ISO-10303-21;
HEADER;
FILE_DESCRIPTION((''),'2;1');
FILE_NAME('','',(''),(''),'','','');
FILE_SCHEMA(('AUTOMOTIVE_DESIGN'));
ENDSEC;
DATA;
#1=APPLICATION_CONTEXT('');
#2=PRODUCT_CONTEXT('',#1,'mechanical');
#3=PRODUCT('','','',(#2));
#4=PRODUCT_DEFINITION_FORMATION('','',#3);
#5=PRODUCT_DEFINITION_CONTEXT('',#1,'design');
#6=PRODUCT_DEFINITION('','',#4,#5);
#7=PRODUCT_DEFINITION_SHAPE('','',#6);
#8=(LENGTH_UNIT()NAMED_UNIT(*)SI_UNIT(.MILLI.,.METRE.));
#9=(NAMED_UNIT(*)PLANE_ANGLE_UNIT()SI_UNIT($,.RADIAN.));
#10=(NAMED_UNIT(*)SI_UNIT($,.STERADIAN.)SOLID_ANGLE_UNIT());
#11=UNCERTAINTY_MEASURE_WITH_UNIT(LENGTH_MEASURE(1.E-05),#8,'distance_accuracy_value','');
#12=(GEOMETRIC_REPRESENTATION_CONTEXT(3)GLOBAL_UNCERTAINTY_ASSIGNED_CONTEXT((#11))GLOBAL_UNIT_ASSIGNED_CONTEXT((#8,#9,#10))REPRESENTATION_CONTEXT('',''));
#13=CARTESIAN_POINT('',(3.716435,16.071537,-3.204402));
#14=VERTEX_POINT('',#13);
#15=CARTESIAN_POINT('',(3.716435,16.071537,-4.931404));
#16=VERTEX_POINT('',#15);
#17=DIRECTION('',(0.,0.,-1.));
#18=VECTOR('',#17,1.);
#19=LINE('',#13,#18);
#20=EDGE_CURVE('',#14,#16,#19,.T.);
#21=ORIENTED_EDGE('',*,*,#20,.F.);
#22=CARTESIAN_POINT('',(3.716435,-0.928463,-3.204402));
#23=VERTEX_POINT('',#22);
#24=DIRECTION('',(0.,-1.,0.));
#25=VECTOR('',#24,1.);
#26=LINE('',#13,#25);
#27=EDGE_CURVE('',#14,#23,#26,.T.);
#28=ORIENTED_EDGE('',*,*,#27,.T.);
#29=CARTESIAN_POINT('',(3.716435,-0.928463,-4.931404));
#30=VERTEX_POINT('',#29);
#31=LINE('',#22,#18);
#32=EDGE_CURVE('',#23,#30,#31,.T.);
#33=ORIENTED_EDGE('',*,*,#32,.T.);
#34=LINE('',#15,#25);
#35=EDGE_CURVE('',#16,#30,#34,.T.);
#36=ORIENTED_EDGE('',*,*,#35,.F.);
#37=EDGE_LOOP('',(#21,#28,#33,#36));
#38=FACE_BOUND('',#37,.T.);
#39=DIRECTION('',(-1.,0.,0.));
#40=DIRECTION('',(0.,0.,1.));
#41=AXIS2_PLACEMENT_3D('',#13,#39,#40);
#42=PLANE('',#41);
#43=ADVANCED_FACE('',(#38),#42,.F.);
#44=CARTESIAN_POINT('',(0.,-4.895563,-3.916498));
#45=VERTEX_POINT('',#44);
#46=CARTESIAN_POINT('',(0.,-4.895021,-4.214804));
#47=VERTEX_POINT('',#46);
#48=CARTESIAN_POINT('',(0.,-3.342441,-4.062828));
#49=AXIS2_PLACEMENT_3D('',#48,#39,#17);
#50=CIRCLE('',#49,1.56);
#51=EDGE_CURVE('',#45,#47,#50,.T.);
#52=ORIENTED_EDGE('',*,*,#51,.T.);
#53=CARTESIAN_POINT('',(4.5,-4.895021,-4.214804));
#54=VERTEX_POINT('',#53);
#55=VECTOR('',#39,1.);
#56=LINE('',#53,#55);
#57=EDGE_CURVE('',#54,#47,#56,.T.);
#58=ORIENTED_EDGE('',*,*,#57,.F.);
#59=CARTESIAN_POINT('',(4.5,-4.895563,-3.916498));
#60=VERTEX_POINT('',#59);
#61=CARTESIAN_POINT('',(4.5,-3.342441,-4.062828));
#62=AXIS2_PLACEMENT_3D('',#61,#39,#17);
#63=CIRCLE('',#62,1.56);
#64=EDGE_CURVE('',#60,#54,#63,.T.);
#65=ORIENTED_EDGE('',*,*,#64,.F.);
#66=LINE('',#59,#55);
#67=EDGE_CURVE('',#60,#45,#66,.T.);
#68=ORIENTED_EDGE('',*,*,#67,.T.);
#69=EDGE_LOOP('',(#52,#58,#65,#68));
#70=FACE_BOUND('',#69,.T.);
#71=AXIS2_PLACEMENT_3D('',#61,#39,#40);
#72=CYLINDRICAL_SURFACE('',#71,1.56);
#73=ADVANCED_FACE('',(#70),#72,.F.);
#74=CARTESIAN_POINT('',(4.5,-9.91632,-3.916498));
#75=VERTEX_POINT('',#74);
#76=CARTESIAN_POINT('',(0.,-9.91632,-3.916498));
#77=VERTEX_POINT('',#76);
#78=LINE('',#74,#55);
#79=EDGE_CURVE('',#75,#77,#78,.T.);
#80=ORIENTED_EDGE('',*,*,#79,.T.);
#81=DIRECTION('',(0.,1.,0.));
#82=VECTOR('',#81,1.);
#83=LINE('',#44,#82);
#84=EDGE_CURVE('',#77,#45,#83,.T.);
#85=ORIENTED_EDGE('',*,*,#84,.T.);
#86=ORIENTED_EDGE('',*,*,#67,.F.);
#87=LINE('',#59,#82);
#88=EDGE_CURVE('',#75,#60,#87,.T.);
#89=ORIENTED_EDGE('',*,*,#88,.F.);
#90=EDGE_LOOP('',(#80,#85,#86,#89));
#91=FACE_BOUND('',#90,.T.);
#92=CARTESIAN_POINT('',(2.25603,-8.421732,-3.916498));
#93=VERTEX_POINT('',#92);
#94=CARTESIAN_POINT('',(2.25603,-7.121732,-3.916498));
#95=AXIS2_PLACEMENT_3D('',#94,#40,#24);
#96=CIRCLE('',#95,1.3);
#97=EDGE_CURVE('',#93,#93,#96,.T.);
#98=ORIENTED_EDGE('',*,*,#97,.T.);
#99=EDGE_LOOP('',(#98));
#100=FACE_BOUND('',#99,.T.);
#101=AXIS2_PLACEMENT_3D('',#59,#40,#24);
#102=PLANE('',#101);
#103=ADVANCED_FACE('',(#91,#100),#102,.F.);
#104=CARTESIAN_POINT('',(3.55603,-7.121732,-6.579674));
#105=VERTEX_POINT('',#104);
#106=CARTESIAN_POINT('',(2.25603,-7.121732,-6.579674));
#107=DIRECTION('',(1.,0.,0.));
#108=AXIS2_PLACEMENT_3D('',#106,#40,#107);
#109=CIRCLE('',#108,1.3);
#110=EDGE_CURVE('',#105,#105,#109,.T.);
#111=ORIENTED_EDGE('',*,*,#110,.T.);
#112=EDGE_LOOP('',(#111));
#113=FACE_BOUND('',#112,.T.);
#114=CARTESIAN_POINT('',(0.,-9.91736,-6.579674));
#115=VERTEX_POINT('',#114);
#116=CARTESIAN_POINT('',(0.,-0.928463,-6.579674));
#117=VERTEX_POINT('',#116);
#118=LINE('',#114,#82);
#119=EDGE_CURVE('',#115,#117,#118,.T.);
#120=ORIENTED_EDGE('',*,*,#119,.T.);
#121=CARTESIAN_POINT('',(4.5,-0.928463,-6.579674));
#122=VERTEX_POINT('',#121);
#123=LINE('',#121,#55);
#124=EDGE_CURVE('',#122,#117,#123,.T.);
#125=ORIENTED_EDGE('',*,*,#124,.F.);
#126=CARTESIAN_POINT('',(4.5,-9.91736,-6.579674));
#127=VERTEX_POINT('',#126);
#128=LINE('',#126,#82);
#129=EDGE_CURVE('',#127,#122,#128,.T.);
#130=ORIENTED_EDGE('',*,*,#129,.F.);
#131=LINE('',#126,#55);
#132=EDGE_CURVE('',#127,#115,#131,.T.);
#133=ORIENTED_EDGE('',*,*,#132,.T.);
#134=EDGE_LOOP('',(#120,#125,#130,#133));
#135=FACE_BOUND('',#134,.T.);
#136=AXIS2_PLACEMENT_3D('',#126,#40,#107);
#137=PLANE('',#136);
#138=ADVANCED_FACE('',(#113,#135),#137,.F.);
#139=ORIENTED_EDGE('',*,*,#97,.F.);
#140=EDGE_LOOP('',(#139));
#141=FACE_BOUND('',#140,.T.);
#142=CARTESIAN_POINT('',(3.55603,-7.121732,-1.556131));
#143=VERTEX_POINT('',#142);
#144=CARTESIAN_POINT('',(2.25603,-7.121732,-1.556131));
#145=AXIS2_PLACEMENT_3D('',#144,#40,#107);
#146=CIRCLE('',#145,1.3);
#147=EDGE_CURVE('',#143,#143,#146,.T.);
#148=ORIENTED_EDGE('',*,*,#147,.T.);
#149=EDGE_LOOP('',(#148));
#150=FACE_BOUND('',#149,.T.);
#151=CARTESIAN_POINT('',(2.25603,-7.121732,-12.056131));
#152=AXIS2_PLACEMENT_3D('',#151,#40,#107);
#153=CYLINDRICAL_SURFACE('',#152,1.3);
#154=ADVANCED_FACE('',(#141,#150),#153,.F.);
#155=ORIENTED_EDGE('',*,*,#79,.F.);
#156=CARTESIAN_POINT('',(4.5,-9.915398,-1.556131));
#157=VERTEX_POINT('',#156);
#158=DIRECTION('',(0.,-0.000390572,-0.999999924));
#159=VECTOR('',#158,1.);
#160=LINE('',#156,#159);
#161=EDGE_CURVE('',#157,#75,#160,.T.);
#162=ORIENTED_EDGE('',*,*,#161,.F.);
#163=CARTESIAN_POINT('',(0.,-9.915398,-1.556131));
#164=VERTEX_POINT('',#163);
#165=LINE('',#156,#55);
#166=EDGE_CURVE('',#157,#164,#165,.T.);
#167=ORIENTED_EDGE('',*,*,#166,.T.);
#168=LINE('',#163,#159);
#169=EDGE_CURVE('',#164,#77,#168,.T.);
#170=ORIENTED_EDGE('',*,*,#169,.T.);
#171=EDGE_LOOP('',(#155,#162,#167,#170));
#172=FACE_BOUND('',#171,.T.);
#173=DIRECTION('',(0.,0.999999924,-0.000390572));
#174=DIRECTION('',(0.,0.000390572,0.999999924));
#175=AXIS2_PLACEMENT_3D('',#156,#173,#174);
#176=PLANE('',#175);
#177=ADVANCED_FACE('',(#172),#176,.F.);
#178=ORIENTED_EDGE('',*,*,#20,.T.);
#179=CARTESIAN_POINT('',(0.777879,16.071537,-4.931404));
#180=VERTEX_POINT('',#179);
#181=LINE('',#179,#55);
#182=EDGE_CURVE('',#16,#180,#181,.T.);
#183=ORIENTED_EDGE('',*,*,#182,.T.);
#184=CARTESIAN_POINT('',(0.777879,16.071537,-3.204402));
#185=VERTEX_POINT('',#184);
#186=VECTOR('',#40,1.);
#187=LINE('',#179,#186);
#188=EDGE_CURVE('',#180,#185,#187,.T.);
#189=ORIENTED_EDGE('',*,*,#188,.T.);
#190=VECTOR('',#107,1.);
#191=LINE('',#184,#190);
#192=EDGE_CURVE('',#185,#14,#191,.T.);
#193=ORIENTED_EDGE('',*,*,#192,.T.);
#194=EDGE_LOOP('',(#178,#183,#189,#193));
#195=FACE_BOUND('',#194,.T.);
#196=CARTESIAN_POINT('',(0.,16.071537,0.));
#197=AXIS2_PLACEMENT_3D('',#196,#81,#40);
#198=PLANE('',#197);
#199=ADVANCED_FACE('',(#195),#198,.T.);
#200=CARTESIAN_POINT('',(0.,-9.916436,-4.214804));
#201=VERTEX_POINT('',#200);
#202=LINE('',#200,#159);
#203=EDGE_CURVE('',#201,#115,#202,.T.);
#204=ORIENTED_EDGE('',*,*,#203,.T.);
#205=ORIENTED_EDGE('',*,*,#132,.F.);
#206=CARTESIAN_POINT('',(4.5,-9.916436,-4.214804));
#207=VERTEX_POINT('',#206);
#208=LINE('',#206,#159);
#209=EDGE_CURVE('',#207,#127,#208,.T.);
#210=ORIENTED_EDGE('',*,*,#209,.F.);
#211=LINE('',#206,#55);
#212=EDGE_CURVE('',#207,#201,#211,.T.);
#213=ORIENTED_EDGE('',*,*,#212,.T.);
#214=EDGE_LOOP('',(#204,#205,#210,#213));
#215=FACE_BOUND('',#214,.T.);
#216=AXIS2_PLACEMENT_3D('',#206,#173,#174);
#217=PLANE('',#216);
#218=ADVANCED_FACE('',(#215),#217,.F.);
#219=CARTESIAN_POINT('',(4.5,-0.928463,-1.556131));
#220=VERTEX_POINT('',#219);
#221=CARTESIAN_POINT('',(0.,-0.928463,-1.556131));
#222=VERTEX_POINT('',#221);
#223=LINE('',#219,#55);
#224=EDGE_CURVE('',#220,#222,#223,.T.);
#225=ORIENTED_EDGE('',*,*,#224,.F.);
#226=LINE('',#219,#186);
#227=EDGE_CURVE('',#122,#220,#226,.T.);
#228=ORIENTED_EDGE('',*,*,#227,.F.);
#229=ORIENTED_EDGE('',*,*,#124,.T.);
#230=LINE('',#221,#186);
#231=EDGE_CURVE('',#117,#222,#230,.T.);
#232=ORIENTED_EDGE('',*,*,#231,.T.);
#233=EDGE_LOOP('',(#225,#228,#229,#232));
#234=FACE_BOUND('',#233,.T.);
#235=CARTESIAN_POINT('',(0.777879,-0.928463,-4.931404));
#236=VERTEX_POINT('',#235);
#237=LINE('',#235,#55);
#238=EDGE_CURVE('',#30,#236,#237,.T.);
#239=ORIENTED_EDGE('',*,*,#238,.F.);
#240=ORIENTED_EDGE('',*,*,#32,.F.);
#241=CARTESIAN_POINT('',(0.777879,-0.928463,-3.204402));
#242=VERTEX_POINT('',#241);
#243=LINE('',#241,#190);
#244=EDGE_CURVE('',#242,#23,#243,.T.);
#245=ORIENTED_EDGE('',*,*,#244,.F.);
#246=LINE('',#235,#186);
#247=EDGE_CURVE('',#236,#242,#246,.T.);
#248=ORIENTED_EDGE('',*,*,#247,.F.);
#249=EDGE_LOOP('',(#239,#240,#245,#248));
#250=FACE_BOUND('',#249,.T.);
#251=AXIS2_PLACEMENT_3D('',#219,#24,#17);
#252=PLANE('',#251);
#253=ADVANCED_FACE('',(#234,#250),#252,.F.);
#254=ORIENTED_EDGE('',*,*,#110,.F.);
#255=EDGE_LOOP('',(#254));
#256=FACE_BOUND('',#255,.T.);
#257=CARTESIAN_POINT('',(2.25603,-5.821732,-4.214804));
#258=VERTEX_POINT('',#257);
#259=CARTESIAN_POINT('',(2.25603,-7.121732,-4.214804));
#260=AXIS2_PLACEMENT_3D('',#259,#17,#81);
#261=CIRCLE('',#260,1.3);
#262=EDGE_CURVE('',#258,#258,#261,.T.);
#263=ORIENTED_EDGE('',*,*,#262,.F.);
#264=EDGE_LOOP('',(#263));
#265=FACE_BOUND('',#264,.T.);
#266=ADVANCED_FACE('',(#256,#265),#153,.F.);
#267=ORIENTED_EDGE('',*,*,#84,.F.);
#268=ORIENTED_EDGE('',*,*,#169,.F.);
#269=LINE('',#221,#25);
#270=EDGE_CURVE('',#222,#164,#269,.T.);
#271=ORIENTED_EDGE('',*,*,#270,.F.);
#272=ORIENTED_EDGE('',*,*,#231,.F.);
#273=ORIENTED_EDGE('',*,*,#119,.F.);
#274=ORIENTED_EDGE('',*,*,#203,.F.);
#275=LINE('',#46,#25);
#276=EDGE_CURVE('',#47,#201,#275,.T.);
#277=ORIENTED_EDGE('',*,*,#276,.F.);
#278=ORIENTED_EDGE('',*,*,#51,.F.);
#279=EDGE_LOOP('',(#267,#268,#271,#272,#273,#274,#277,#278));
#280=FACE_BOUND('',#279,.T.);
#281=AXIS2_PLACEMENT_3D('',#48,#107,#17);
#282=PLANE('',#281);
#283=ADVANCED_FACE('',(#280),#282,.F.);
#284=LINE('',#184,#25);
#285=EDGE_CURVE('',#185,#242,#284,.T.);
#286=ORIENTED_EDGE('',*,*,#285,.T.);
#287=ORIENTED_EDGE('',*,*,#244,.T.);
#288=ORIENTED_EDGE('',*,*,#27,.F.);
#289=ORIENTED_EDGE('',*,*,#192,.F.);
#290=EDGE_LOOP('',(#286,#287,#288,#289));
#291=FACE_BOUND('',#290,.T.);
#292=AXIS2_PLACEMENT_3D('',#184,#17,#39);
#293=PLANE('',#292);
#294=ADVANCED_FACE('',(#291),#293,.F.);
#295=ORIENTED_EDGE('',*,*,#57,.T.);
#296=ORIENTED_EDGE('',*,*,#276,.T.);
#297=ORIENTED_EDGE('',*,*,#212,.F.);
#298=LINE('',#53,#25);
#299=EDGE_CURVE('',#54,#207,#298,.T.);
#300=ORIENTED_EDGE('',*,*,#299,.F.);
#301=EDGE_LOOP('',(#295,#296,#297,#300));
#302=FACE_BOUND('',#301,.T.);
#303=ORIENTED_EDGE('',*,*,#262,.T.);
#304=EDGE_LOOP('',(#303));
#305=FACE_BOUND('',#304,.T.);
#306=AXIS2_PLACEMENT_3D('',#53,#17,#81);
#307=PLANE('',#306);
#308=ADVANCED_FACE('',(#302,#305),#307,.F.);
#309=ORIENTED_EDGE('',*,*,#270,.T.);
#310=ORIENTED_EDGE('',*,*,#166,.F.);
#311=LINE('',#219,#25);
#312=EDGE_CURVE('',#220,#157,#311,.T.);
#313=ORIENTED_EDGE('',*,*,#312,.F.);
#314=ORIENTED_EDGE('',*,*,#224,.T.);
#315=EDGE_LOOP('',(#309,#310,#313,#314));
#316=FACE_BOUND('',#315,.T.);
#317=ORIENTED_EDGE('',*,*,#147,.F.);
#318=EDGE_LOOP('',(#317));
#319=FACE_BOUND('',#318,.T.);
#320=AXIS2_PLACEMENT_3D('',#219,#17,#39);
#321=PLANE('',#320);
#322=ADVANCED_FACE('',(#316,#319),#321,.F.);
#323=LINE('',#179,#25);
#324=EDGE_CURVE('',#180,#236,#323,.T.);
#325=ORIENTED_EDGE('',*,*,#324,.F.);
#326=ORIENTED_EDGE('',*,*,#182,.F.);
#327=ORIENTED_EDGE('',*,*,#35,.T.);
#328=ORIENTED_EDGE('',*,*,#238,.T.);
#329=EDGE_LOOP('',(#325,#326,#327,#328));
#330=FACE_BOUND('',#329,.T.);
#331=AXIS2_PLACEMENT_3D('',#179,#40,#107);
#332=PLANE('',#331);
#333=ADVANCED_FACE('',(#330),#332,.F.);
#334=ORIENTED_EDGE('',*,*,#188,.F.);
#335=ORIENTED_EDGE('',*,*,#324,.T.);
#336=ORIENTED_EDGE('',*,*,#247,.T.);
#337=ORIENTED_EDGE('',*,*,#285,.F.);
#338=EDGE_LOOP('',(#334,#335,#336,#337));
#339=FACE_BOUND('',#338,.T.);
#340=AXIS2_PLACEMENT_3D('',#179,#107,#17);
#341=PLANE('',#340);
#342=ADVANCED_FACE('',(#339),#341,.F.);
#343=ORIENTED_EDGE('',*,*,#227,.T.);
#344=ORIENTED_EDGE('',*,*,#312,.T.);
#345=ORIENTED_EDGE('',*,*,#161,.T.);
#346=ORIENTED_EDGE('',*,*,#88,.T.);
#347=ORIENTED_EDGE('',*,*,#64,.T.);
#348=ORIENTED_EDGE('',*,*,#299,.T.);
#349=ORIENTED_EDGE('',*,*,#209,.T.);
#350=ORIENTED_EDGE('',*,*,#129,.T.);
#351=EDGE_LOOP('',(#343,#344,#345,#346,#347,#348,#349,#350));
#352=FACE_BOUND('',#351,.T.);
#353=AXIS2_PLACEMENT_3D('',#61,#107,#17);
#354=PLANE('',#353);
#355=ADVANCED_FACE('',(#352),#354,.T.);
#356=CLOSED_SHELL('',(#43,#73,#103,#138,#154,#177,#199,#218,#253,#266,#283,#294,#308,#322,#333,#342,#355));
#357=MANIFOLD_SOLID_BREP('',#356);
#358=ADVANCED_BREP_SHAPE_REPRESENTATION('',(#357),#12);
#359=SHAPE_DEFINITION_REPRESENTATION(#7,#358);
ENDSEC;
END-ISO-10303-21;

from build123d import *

# Parameters (mm, degrees)
BOSS_EXTRUDE2_DEPTH = 4.5
SKETCH3_R           = 1.3
CUT_EXTRUDE1_DEPTH  = 10.5
SKETCH6_W           = 2.938556516
SKETCH6_H           = 1.727001967
BOSS_EXTRUDE5_DEPTH = 17


with BuildPart() as part:
    # Sketch1 → Boss-Extrude2 (new body)
    with BuildSketch(Plane(origin=(0, 0, 0), x_dir=(0, 0, -1), z_dir=(1, 0, 0))):
        with BuildLine():
            Line((1.55613054, -9.91539795), (3.9164982, -9.916319844))
            Line((3.9164982, -9.916319844), (3.9164982, -4.895563354))
            ThreePointArc((3.9164982, -4.895563354), (4.059992057, -1.782444065), (4.214804462, -4.895021022))
            Line((4.214804462, -4.895021022), (4.214804462, -9.916436354))
            Line((4.214804462, -9.916436354), (6.579674081, -9.917360006))
            Line((6.579674081, -9.917360006), (6.579674081, -0.928463249))
            Line((6.579674081, -0.928463249), (1.55613054, -0.928463249))
            Line((1.55613054, -0.928463249), (1.55613054, -9.91539795))
        make_face()
    extrude(amount=BOSS_EXTRUDE2_DEPTH)

    # Sketch3 → Cut-Extrude1 (cut)
    with BuildSketch(Plane.XY.offset(-1.55613054)):
        with Locations((2.256029543, -7.121731935)):
            Circle(SKETCH3_R)
    extrude(amount=-CUT_EXTRUDE1_DEPTH, mode=Mode.SUBTRACT)

    # Sketch6 → Boss-Extrude5 (add)
    with BuildSketch(Plane(origin=(0, -0.928463249, 0), x_dir=(1, 0, 0), z_dir=(0, 1, 0))):
        with Locations((2.247156979, 4.067903294)):
            Rectangle(SKETCH6_W, SKETCH6_H)
    extrude(amount=BOSS_EXTRUDE5_DEPTH)


solid = part.part
